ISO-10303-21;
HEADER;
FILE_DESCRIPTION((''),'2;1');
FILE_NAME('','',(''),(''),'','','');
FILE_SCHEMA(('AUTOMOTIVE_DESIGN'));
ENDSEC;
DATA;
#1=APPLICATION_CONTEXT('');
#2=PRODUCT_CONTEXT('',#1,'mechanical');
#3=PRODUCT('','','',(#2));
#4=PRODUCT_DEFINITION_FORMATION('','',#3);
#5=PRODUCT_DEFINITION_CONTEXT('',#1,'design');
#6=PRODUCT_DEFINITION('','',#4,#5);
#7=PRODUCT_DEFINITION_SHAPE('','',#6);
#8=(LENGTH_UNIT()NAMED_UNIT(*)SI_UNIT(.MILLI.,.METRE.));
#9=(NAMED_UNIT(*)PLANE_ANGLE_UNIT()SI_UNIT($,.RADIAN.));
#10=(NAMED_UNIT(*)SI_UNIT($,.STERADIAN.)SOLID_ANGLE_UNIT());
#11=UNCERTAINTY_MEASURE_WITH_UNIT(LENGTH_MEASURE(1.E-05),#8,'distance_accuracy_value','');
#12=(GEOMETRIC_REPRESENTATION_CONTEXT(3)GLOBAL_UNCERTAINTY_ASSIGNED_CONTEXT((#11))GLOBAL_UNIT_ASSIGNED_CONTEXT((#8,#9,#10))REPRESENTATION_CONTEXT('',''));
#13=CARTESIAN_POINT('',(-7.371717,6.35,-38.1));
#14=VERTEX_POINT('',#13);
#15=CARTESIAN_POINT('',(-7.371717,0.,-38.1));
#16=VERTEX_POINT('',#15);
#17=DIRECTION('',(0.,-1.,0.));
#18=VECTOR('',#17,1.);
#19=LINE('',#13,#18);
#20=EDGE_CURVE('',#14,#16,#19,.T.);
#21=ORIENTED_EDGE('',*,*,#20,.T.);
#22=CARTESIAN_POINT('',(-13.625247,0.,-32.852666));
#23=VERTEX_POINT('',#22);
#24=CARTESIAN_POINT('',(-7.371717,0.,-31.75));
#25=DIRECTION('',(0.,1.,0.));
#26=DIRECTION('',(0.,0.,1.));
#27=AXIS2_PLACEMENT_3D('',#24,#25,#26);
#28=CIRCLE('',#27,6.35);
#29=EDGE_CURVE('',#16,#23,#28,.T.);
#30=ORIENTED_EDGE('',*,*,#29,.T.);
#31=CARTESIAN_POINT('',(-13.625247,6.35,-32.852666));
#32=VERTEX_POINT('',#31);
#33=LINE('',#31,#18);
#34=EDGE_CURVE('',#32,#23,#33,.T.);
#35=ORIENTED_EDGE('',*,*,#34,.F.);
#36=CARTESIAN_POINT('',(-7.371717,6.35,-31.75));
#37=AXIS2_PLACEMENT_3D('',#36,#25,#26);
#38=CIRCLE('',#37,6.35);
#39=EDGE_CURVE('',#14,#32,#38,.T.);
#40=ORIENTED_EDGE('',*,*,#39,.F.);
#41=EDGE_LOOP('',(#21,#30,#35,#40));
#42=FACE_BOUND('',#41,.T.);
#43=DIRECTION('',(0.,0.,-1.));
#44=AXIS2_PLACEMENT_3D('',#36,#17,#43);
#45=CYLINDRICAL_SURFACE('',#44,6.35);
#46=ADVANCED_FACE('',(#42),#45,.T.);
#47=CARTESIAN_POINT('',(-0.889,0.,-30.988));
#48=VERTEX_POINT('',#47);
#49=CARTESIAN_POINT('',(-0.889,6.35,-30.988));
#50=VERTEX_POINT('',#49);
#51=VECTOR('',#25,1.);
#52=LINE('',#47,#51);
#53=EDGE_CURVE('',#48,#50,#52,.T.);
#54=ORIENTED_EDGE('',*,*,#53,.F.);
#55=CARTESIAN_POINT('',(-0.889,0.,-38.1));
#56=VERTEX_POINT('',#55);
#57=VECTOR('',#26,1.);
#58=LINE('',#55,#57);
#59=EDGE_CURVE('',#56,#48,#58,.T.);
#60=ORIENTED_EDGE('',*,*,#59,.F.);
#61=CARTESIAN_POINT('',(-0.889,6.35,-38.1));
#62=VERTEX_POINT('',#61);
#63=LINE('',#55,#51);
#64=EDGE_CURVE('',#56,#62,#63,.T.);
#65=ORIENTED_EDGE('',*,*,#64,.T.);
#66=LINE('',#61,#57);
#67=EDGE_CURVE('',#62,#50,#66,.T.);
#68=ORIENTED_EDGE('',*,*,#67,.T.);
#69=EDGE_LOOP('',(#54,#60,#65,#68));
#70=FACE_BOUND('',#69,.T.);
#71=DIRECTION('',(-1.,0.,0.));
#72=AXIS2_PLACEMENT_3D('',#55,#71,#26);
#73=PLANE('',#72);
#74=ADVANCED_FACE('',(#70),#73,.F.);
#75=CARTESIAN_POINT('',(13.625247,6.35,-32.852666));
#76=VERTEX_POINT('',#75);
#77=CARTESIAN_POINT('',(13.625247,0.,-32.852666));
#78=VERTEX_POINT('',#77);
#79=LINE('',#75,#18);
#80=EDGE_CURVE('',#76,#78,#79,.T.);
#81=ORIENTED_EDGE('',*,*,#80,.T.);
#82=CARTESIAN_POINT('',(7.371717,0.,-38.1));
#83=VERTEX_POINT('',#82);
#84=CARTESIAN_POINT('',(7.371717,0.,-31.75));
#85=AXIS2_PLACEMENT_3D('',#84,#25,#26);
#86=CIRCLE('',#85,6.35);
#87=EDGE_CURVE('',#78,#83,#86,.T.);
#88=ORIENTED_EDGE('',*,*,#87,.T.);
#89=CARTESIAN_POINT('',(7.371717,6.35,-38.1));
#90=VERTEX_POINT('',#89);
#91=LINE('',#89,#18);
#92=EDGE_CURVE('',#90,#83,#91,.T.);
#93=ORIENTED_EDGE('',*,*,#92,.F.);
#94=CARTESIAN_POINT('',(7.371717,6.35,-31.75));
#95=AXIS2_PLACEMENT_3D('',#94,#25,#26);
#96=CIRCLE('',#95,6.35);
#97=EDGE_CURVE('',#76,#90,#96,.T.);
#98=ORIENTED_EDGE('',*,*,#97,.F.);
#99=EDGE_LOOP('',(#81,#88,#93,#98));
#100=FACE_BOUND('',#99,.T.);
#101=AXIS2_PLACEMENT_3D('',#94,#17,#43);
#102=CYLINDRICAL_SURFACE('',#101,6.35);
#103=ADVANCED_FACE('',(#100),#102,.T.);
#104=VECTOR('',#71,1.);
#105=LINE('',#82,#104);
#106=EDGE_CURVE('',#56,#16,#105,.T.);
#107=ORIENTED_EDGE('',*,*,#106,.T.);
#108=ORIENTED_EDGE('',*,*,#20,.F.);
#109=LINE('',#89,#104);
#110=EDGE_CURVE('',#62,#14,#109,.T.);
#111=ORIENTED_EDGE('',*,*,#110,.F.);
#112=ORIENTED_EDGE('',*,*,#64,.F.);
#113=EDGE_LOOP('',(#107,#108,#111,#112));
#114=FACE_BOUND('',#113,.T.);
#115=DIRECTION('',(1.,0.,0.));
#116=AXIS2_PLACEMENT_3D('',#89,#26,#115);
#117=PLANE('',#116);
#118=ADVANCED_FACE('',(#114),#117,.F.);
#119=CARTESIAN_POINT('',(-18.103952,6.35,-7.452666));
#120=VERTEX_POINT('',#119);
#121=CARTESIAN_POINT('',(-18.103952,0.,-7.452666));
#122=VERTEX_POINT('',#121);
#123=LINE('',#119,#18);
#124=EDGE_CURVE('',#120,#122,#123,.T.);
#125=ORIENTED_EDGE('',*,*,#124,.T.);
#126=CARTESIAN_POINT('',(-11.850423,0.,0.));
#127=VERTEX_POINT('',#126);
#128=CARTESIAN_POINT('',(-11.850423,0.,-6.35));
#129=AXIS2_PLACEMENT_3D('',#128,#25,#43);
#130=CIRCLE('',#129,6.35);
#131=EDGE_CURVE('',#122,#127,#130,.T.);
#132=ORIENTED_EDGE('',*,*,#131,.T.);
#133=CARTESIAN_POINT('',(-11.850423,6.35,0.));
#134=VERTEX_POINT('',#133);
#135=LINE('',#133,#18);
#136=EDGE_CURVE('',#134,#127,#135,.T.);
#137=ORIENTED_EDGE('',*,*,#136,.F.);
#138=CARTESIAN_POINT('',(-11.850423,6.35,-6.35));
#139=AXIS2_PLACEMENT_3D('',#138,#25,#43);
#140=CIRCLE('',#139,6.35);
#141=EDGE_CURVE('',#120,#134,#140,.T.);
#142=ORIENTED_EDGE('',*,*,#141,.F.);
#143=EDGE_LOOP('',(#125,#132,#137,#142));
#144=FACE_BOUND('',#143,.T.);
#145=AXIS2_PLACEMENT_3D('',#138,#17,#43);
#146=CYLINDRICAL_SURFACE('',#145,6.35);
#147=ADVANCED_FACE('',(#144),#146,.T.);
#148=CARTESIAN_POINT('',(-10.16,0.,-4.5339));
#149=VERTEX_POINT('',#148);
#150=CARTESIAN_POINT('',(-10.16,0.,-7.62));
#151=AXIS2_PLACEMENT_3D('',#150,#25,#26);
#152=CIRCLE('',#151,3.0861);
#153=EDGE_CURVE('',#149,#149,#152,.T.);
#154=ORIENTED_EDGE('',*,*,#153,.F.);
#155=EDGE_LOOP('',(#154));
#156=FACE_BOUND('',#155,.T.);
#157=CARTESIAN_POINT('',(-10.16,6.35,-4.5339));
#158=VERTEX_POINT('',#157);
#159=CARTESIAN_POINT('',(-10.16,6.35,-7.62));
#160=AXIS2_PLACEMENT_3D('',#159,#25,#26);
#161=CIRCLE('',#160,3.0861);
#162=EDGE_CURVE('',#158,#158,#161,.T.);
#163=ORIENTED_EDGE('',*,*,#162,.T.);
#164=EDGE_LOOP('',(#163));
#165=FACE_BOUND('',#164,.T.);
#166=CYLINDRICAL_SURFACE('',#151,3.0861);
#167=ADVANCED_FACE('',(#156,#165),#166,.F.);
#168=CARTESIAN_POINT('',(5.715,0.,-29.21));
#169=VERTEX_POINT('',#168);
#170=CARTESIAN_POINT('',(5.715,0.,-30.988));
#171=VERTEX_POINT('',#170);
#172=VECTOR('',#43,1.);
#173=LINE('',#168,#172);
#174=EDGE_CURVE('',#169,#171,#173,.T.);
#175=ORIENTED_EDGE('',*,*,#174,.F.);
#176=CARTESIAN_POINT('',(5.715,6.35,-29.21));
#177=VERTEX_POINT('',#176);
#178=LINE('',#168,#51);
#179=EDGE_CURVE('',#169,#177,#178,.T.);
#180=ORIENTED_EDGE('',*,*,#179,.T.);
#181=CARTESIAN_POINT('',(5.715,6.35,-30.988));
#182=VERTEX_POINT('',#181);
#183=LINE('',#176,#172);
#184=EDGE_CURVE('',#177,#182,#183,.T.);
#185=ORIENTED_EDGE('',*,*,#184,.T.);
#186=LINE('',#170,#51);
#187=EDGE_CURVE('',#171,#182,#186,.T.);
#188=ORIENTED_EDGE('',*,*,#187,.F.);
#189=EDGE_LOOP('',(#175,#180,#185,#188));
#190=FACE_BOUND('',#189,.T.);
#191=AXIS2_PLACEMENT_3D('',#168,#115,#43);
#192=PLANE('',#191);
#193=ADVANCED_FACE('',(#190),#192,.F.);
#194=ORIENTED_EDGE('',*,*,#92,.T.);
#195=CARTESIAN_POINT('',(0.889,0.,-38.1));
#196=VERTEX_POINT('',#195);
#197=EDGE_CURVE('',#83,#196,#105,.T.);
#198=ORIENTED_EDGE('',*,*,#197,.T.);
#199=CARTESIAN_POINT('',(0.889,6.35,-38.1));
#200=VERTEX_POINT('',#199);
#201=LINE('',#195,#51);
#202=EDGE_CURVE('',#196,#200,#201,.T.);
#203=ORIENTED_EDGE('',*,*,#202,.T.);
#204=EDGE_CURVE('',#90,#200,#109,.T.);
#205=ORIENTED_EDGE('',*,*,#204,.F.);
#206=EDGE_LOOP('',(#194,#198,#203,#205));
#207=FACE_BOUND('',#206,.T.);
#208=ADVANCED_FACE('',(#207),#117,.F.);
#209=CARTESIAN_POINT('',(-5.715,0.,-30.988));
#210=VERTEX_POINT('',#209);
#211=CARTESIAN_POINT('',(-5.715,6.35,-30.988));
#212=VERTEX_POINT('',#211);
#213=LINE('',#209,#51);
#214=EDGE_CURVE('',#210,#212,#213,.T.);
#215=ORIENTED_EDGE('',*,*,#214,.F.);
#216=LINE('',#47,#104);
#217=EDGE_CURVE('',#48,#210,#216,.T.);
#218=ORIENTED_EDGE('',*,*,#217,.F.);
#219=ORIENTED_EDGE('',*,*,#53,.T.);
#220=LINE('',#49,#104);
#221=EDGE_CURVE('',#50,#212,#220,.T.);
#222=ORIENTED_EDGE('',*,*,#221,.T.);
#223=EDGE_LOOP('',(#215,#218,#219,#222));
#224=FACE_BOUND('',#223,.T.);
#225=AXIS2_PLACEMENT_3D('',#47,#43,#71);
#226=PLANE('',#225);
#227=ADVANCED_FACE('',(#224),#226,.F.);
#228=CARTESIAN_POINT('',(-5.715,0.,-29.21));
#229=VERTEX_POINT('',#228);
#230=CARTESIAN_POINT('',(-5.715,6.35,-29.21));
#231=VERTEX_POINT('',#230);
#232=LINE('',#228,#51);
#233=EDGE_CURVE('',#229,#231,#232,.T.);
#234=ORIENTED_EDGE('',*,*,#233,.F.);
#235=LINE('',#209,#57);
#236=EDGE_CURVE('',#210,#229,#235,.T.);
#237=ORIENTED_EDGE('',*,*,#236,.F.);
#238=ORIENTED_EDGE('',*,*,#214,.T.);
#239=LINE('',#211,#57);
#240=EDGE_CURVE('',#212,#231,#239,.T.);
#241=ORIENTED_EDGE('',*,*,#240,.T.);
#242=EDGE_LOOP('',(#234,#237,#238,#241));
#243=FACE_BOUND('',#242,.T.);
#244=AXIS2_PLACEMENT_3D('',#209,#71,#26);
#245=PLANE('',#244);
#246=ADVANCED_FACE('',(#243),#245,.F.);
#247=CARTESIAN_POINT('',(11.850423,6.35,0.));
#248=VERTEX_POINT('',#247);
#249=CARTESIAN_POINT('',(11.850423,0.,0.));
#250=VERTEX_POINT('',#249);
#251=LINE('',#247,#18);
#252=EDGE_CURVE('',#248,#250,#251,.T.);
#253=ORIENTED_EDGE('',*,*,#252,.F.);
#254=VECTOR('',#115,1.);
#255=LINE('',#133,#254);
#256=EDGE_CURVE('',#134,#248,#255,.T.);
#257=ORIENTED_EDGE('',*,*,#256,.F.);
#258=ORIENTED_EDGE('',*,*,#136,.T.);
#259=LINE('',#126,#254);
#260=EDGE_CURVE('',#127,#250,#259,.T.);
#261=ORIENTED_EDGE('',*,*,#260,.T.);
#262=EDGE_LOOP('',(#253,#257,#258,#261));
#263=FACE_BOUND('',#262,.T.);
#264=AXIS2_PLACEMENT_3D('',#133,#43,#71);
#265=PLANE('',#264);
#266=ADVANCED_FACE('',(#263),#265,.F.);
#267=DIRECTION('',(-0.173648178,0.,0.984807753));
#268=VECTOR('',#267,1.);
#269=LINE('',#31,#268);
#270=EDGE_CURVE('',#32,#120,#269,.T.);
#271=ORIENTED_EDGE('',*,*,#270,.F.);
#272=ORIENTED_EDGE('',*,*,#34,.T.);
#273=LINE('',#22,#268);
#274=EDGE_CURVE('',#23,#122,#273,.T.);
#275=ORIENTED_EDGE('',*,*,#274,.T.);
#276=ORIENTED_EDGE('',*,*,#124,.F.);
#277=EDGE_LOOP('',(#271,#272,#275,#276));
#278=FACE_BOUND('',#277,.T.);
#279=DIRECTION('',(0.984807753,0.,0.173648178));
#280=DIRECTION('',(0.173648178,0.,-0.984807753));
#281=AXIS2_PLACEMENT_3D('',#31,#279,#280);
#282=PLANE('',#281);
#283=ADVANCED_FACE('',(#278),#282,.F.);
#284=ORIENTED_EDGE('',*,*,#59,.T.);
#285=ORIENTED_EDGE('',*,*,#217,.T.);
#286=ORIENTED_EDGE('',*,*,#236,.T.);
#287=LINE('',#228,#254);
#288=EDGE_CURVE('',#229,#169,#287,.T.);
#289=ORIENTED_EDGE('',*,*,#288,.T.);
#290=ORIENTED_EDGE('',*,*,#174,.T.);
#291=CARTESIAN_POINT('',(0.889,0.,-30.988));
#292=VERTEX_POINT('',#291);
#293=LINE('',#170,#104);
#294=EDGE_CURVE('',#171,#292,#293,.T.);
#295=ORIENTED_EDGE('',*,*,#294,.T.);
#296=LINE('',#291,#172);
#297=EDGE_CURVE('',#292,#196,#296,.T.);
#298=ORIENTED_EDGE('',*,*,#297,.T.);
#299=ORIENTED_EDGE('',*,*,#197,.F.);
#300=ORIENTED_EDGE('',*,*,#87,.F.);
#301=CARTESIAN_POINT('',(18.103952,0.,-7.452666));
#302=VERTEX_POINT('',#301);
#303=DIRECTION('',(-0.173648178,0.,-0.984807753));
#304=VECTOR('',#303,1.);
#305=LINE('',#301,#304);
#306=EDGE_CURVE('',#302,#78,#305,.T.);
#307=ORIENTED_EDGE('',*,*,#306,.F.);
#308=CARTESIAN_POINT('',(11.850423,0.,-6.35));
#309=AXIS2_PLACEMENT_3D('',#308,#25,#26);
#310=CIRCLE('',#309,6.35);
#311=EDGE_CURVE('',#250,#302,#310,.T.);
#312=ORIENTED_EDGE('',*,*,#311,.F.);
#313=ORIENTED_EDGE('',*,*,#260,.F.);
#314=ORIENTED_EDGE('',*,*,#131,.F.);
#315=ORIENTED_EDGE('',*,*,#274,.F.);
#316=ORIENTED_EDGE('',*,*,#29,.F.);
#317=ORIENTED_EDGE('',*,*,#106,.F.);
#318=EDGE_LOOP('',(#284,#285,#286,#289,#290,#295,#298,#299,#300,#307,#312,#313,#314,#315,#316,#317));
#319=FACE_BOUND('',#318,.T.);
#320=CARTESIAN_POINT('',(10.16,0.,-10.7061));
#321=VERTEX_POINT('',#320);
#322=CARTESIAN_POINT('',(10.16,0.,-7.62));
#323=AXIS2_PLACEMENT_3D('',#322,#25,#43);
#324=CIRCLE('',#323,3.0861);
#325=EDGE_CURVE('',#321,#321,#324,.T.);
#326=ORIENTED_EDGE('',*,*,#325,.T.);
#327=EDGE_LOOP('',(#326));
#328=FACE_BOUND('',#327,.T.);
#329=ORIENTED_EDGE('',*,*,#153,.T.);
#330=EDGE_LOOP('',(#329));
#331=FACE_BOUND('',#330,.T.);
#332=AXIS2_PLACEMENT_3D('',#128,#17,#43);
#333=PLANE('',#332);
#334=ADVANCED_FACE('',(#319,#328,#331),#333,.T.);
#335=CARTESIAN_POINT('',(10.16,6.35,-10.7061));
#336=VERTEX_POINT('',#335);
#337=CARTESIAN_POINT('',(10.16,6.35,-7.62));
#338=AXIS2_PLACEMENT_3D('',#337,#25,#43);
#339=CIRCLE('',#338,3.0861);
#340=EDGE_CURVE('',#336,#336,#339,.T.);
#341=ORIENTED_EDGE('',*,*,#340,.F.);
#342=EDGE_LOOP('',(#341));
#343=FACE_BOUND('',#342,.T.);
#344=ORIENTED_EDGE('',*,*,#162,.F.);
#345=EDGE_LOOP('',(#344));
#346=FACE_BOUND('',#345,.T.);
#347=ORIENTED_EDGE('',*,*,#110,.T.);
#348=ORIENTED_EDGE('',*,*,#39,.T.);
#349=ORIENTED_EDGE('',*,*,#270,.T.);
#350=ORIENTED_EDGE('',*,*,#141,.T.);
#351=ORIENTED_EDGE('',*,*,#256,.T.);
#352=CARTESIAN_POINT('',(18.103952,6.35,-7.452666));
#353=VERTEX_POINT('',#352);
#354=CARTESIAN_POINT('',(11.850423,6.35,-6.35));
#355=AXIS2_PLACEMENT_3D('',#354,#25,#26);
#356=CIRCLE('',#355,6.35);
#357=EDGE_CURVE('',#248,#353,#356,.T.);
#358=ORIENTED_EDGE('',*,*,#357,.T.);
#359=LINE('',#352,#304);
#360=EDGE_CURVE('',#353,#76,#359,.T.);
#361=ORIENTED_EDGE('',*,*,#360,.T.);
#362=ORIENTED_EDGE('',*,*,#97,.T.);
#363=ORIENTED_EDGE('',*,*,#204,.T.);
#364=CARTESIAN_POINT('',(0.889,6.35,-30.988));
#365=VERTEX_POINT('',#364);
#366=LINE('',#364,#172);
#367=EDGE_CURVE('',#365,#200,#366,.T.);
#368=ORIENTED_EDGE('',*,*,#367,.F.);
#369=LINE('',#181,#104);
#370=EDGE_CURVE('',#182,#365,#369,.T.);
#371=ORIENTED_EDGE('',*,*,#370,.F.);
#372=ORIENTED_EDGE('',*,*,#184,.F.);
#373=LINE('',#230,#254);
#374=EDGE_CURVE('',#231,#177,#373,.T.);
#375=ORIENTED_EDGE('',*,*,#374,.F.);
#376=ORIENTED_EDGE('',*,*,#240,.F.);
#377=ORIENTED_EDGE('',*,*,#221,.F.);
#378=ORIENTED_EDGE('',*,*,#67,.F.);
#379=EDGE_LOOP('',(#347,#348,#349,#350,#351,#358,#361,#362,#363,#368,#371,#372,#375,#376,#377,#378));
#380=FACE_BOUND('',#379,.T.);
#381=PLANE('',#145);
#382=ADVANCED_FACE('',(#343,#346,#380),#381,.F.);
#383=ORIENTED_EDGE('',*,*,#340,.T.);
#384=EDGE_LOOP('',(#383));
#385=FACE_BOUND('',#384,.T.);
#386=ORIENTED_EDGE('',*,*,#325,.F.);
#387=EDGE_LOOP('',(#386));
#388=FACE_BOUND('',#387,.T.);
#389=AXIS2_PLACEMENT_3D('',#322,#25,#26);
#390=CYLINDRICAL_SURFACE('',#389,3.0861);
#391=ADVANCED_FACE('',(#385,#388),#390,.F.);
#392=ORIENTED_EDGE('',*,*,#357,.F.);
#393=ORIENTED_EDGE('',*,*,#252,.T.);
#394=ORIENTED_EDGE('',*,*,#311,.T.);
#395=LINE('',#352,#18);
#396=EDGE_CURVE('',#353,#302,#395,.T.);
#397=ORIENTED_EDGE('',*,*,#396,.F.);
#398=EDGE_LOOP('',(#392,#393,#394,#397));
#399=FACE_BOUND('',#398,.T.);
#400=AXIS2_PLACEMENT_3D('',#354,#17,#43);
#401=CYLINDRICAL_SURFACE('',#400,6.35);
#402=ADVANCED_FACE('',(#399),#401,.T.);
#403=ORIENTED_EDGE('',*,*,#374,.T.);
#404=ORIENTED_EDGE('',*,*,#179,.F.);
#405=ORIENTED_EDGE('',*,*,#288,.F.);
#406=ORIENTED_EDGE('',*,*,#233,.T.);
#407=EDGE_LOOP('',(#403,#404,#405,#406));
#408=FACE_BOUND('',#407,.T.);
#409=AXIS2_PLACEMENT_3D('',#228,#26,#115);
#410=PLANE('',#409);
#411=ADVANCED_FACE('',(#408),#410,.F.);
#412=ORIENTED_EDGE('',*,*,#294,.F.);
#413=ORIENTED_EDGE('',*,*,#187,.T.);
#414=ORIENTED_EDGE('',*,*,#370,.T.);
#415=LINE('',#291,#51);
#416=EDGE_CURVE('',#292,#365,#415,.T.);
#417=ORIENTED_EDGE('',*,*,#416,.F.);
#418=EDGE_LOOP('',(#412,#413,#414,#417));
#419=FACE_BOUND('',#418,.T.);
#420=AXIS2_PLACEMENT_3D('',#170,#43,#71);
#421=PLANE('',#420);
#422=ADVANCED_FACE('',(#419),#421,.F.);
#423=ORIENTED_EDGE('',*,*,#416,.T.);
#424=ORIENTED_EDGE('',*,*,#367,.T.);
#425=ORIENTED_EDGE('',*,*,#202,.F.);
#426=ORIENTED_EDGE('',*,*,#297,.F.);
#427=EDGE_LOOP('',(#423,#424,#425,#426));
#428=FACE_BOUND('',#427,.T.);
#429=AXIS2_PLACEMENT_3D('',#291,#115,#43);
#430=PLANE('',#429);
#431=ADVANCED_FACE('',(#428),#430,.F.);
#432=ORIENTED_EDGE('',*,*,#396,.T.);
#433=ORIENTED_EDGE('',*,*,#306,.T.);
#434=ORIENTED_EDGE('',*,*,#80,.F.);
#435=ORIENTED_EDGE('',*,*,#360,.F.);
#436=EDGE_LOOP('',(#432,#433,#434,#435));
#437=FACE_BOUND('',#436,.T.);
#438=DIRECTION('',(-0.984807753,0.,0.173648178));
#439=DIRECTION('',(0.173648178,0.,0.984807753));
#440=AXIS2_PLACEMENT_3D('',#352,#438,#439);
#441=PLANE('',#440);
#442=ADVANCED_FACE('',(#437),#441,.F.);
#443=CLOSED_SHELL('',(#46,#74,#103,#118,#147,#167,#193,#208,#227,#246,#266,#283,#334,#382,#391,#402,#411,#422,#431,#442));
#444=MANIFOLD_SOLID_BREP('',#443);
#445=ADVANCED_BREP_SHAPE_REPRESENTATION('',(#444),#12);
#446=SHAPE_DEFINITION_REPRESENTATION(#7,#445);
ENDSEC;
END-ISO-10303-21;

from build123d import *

# Parameters (mm, degrees)
BOSS_EXTRUDE1_DEPTH = 6.35
SKETCH2_R           = 3.0861
CUT_EXTRUDE1_DEPTH  = 7.35
CUT_EXTRUDE2_DEPTH  = 7.35


with BuildPart() as part:
    # Sketch1 → Boss-Extrude1 (new body)
    with BuildSketch(Plane(origin=(0, 0, 0), x_dir=(1, 0, 0), z_dir=(0, 1, 0))):
        with BuildLine():
            Line((-11.850422652, 0), (11.850422652, 0))
            ThreePointArc((11.850422652, 0), (16.714804866, 2.268298678), (18.103951884, 7.452665928))
            Line((18.103951884, 7.452665928), (13.625246574, 32.852665928))
            ThreePointArc((13.625246574, 32.852665928), (11.453418664, 36.614382214), (7.371717342, 38.1))
            Line((7.371717342, 38.1), (-7.371717342, 38.1))
            ThreePointArc((-7.371717342, 38.1), (-11.453418664, 36.614382214), (-13.625246574, 32.852665928))
            Line((-13.625246574, 32.852665928), (-18.103951884, 7.452665928))
            ThreePointArc((-18.103951884, 7.452665928), (-16.714804866, 2.268298678), (-11.850422652, 0))
        make_face()
    extrude(amount=BOSS_EXTRUDE1_DEPTH)

    # Sketch2 → Cut-Extrude1 (cut, through all)
    with BuildSketch(Plane(origin=(0, 6.35, 0), x_dir=(1, 0, 0), z_dir=(0, 1, 0))):
        with Locations((-10.16, 7.62)):
            Circle(SKETCH2_R)
        with Locations((10.16, 7.62)):
            Circle(SKETCH2_R)
    extrude(amount=-CUT_EXTRUDE1_DEPTH, mode=Mode.SUBTRACT)

    # Sketch3 → Cut-Extrude2 (cut, through all)
    with BuildSketch(Plane(origin=(0, 6.35, 0), x_dir=(1, 0, 0), z_dir=(0, 1, 0))):
        Polygon((-0.889, 38.1), (-0.889, 30.988), (-5.715, 30.988), (-5.715, 29.21), (5.715, 29.21), (5.715, 30.988), (0.889, 30.988), (0.889, 38.1), align=None)
    extrude(amount=-CUT_EXTRUDE2_DEPTH, mode=Mode.SUBTRACT)


solid = part.part
